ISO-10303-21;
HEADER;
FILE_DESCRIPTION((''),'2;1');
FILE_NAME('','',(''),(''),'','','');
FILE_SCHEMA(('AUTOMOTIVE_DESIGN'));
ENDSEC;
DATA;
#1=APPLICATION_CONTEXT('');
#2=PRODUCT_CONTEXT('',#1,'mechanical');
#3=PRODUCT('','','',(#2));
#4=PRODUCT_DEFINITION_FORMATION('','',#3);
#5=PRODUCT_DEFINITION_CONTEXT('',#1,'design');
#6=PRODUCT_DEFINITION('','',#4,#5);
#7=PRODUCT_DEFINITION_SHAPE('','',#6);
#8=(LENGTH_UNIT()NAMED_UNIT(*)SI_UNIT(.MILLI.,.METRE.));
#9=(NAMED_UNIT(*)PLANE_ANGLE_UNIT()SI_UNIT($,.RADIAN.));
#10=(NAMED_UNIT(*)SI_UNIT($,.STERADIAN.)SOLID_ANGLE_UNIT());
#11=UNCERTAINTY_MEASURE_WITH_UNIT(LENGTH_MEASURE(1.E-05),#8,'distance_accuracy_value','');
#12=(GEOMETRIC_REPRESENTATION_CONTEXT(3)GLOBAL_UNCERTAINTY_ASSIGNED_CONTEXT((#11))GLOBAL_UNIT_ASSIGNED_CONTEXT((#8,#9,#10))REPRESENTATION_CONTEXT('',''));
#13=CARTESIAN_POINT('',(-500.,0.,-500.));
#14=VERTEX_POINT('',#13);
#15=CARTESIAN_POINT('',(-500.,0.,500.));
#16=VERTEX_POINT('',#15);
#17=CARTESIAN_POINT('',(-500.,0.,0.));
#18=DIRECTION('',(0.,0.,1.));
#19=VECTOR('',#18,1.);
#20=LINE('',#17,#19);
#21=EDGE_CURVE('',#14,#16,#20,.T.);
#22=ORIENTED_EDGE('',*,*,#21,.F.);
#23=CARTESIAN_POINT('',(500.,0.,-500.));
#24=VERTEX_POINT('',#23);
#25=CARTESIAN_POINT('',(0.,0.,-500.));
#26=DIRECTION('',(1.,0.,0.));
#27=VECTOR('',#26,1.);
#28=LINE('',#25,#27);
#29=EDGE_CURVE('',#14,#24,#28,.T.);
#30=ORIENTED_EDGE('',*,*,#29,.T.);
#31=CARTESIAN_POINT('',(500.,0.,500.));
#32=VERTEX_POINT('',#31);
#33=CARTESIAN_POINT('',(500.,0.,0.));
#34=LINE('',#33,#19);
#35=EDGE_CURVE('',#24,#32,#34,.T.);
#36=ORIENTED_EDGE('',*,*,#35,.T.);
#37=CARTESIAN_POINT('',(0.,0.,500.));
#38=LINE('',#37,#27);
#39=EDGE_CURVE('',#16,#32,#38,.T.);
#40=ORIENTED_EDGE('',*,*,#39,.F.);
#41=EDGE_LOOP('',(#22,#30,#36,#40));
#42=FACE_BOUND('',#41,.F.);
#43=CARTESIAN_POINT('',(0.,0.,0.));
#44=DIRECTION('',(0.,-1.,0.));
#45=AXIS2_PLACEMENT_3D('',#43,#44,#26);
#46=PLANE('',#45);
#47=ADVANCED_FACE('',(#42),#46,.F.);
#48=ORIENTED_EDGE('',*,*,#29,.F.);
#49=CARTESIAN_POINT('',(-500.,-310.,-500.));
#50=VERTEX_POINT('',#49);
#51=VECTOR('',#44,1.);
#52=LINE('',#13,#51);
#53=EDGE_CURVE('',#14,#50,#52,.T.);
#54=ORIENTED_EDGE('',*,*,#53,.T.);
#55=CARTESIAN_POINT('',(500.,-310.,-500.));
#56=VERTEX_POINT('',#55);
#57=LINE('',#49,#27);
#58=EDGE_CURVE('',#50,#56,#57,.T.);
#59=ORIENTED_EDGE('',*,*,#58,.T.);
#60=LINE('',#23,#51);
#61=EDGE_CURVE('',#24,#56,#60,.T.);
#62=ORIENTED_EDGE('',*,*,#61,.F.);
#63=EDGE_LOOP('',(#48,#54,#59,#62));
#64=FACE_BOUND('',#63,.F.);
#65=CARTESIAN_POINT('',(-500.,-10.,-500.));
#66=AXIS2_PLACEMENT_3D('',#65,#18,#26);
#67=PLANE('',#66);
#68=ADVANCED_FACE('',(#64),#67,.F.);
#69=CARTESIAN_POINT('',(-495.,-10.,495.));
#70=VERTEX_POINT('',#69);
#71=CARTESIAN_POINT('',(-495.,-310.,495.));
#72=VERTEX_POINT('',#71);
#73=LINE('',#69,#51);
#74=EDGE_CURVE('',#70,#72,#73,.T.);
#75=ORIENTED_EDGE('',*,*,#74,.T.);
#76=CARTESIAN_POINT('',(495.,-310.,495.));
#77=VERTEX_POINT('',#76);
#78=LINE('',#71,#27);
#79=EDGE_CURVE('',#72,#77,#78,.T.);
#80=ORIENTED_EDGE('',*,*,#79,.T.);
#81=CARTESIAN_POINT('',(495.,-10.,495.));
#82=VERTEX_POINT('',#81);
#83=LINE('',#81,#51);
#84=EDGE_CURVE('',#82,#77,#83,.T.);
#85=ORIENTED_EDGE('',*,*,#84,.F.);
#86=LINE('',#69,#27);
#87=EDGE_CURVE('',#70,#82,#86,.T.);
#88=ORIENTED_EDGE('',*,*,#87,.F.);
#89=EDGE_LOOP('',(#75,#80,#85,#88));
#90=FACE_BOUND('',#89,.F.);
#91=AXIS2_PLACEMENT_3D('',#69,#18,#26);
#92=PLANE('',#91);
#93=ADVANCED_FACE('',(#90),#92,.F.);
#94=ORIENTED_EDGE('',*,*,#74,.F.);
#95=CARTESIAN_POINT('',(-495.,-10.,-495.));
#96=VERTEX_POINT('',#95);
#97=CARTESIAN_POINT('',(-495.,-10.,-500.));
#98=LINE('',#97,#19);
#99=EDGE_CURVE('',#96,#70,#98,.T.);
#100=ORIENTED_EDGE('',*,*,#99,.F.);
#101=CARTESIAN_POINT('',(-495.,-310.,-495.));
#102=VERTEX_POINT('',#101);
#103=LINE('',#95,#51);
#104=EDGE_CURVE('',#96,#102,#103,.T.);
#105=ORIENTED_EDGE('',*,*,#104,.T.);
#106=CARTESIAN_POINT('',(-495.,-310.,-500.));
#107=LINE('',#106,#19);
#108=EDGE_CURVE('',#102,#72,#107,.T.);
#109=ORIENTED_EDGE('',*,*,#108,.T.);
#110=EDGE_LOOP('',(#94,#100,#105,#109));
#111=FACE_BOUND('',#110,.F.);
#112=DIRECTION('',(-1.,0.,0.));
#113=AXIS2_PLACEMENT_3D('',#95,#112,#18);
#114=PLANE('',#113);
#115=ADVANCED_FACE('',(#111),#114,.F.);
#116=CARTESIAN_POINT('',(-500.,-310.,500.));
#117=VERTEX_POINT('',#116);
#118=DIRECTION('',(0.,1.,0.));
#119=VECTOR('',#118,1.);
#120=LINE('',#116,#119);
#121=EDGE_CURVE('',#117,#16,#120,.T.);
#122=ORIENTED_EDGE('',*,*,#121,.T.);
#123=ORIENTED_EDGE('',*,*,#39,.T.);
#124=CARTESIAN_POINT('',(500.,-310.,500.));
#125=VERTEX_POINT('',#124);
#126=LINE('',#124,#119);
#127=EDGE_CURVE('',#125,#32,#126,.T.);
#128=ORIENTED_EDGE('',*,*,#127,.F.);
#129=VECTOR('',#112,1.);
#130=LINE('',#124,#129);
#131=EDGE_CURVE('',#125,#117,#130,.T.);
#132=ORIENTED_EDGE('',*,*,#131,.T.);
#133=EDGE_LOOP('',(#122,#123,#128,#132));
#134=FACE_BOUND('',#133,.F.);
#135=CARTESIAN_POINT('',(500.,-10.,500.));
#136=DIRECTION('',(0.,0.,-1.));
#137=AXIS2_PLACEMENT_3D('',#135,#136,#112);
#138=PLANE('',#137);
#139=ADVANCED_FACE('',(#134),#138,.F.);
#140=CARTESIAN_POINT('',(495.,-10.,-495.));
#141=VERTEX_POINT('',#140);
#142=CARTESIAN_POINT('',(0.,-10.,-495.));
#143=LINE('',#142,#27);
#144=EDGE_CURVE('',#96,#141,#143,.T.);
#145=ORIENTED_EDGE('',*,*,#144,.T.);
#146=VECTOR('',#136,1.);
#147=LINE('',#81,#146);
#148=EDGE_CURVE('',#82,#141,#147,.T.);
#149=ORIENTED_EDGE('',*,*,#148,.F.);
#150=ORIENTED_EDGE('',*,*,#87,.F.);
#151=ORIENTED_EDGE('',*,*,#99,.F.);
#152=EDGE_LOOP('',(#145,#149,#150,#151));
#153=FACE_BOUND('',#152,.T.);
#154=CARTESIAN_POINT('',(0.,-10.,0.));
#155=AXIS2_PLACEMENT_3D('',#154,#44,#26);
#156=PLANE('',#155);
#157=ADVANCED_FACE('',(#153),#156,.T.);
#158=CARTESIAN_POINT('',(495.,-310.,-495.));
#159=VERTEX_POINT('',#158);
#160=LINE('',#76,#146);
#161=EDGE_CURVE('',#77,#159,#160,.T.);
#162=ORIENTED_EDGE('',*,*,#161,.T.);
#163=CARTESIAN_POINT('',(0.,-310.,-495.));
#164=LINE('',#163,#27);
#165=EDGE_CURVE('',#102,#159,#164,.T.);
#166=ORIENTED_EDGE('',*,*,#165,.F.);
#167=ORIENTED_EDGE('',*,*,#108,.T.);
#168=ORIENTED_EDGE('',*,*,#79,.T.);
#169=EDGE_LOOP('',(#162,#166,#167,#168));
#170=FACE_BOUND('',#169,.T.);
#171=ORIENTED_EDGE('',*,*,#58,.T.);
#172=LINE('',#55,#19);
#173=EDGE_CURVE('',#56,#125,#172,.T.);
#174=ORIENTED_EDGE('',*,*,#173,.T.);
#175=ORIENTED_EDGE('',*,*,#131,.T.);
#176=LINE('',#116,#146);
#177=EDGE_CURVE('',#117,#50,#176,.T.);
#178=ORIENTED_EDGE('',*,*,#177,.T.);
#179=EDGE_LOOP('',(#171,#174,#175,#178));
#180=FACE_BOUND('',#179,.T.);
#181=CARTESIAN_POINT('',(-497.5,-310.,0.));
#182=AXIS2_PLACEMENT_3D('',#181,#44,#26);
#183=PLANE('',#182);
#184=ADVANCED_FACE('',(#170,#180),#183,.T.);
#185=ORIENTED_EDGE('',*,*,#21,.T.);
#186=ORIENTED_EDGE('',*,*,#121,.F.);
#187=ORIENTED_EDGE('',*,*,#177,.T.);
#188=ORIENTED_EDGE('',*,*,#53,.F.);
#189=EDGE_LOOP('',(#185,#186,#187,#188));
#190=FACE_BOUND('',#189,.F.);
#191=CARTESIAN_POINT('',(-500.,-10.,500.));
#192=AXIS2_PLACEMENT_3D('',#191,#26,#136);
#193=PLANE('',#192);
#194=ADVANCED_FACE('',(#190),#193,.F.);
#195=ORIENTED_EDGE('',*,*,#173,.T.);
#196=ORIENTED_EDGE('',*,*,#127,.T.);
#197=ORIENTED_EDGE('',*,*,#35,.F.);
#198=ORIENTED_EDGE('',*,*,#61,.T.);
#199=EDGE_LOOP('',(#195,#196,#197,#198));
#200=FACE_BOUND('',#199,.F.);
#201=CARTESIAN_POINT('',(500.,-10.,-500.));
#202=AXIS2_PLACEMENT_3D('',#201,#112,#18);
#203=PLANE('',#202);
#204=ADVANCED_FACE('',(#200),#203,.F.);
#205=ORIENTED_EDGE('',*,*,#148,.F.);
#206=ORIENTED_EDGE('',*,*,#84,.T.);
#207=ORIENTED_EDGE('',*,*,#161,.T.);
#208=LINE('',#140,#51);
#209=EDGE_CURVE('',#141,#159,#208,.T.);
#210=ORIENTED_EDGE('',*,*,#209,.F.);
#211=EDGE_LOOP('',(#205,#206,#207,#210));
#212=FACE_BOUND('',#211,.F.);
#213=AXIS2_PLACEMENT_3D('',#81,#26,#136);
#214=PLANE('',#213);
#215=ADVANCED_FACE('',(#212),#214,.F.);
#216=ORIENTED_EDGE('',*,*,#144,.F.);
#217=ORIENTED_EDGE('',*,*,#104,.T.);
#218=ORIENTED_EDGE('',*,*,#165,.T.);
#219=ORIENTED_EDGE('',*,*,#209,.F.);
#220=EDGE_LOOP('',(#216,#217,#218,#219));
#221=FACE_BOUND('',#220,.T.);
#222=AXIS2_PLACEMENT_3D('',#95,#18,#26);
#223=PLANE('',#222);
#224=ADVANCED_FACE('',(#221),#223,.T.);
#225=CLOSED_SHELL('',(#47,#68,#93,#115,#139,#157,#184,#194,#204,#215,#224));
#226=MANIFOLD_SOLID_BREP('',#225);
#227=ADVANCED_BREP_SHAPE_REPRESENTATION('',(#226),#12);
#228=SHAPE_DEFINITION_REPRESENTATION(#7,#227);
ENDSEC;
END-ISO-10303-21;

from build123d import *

# Parameters (mm, degrees)
F0_W     = 1000
F0_H     = 1000
F1_DEPTH = 10
F2_W     = 990
F2_H     = 5
F3_DEPTH = 300


with BuildPart() as f1:
    # F0 (on Front) → F1 (new body)
    with BuildSketch(Plane.XZ):
        Rectangle(F0_W, F0_H)
    extrude(amount=F1_DEPTH)

    # F2 (on face) → F3 (join)
    with BuildSketch(Plane.XZ.offset(10)):
        Polygon((-495, 500), (-500, 500), (-500, -500), (-495, -500), (-495, -495), (-495, 495), align=None)
        Polygon((500, 500), (-495, 500), (-495, 495), (495, 495), (500, 495), align=None)
        with Locations((0, -497.5)):
            Rectangle(F2_W, F2_H)
        Polygon((500, 495), (495, 495), (495, -495), (495, -500), (500, -500), align=None)
    extrude(amount=F3_DEPTH)


solid = f1.part
